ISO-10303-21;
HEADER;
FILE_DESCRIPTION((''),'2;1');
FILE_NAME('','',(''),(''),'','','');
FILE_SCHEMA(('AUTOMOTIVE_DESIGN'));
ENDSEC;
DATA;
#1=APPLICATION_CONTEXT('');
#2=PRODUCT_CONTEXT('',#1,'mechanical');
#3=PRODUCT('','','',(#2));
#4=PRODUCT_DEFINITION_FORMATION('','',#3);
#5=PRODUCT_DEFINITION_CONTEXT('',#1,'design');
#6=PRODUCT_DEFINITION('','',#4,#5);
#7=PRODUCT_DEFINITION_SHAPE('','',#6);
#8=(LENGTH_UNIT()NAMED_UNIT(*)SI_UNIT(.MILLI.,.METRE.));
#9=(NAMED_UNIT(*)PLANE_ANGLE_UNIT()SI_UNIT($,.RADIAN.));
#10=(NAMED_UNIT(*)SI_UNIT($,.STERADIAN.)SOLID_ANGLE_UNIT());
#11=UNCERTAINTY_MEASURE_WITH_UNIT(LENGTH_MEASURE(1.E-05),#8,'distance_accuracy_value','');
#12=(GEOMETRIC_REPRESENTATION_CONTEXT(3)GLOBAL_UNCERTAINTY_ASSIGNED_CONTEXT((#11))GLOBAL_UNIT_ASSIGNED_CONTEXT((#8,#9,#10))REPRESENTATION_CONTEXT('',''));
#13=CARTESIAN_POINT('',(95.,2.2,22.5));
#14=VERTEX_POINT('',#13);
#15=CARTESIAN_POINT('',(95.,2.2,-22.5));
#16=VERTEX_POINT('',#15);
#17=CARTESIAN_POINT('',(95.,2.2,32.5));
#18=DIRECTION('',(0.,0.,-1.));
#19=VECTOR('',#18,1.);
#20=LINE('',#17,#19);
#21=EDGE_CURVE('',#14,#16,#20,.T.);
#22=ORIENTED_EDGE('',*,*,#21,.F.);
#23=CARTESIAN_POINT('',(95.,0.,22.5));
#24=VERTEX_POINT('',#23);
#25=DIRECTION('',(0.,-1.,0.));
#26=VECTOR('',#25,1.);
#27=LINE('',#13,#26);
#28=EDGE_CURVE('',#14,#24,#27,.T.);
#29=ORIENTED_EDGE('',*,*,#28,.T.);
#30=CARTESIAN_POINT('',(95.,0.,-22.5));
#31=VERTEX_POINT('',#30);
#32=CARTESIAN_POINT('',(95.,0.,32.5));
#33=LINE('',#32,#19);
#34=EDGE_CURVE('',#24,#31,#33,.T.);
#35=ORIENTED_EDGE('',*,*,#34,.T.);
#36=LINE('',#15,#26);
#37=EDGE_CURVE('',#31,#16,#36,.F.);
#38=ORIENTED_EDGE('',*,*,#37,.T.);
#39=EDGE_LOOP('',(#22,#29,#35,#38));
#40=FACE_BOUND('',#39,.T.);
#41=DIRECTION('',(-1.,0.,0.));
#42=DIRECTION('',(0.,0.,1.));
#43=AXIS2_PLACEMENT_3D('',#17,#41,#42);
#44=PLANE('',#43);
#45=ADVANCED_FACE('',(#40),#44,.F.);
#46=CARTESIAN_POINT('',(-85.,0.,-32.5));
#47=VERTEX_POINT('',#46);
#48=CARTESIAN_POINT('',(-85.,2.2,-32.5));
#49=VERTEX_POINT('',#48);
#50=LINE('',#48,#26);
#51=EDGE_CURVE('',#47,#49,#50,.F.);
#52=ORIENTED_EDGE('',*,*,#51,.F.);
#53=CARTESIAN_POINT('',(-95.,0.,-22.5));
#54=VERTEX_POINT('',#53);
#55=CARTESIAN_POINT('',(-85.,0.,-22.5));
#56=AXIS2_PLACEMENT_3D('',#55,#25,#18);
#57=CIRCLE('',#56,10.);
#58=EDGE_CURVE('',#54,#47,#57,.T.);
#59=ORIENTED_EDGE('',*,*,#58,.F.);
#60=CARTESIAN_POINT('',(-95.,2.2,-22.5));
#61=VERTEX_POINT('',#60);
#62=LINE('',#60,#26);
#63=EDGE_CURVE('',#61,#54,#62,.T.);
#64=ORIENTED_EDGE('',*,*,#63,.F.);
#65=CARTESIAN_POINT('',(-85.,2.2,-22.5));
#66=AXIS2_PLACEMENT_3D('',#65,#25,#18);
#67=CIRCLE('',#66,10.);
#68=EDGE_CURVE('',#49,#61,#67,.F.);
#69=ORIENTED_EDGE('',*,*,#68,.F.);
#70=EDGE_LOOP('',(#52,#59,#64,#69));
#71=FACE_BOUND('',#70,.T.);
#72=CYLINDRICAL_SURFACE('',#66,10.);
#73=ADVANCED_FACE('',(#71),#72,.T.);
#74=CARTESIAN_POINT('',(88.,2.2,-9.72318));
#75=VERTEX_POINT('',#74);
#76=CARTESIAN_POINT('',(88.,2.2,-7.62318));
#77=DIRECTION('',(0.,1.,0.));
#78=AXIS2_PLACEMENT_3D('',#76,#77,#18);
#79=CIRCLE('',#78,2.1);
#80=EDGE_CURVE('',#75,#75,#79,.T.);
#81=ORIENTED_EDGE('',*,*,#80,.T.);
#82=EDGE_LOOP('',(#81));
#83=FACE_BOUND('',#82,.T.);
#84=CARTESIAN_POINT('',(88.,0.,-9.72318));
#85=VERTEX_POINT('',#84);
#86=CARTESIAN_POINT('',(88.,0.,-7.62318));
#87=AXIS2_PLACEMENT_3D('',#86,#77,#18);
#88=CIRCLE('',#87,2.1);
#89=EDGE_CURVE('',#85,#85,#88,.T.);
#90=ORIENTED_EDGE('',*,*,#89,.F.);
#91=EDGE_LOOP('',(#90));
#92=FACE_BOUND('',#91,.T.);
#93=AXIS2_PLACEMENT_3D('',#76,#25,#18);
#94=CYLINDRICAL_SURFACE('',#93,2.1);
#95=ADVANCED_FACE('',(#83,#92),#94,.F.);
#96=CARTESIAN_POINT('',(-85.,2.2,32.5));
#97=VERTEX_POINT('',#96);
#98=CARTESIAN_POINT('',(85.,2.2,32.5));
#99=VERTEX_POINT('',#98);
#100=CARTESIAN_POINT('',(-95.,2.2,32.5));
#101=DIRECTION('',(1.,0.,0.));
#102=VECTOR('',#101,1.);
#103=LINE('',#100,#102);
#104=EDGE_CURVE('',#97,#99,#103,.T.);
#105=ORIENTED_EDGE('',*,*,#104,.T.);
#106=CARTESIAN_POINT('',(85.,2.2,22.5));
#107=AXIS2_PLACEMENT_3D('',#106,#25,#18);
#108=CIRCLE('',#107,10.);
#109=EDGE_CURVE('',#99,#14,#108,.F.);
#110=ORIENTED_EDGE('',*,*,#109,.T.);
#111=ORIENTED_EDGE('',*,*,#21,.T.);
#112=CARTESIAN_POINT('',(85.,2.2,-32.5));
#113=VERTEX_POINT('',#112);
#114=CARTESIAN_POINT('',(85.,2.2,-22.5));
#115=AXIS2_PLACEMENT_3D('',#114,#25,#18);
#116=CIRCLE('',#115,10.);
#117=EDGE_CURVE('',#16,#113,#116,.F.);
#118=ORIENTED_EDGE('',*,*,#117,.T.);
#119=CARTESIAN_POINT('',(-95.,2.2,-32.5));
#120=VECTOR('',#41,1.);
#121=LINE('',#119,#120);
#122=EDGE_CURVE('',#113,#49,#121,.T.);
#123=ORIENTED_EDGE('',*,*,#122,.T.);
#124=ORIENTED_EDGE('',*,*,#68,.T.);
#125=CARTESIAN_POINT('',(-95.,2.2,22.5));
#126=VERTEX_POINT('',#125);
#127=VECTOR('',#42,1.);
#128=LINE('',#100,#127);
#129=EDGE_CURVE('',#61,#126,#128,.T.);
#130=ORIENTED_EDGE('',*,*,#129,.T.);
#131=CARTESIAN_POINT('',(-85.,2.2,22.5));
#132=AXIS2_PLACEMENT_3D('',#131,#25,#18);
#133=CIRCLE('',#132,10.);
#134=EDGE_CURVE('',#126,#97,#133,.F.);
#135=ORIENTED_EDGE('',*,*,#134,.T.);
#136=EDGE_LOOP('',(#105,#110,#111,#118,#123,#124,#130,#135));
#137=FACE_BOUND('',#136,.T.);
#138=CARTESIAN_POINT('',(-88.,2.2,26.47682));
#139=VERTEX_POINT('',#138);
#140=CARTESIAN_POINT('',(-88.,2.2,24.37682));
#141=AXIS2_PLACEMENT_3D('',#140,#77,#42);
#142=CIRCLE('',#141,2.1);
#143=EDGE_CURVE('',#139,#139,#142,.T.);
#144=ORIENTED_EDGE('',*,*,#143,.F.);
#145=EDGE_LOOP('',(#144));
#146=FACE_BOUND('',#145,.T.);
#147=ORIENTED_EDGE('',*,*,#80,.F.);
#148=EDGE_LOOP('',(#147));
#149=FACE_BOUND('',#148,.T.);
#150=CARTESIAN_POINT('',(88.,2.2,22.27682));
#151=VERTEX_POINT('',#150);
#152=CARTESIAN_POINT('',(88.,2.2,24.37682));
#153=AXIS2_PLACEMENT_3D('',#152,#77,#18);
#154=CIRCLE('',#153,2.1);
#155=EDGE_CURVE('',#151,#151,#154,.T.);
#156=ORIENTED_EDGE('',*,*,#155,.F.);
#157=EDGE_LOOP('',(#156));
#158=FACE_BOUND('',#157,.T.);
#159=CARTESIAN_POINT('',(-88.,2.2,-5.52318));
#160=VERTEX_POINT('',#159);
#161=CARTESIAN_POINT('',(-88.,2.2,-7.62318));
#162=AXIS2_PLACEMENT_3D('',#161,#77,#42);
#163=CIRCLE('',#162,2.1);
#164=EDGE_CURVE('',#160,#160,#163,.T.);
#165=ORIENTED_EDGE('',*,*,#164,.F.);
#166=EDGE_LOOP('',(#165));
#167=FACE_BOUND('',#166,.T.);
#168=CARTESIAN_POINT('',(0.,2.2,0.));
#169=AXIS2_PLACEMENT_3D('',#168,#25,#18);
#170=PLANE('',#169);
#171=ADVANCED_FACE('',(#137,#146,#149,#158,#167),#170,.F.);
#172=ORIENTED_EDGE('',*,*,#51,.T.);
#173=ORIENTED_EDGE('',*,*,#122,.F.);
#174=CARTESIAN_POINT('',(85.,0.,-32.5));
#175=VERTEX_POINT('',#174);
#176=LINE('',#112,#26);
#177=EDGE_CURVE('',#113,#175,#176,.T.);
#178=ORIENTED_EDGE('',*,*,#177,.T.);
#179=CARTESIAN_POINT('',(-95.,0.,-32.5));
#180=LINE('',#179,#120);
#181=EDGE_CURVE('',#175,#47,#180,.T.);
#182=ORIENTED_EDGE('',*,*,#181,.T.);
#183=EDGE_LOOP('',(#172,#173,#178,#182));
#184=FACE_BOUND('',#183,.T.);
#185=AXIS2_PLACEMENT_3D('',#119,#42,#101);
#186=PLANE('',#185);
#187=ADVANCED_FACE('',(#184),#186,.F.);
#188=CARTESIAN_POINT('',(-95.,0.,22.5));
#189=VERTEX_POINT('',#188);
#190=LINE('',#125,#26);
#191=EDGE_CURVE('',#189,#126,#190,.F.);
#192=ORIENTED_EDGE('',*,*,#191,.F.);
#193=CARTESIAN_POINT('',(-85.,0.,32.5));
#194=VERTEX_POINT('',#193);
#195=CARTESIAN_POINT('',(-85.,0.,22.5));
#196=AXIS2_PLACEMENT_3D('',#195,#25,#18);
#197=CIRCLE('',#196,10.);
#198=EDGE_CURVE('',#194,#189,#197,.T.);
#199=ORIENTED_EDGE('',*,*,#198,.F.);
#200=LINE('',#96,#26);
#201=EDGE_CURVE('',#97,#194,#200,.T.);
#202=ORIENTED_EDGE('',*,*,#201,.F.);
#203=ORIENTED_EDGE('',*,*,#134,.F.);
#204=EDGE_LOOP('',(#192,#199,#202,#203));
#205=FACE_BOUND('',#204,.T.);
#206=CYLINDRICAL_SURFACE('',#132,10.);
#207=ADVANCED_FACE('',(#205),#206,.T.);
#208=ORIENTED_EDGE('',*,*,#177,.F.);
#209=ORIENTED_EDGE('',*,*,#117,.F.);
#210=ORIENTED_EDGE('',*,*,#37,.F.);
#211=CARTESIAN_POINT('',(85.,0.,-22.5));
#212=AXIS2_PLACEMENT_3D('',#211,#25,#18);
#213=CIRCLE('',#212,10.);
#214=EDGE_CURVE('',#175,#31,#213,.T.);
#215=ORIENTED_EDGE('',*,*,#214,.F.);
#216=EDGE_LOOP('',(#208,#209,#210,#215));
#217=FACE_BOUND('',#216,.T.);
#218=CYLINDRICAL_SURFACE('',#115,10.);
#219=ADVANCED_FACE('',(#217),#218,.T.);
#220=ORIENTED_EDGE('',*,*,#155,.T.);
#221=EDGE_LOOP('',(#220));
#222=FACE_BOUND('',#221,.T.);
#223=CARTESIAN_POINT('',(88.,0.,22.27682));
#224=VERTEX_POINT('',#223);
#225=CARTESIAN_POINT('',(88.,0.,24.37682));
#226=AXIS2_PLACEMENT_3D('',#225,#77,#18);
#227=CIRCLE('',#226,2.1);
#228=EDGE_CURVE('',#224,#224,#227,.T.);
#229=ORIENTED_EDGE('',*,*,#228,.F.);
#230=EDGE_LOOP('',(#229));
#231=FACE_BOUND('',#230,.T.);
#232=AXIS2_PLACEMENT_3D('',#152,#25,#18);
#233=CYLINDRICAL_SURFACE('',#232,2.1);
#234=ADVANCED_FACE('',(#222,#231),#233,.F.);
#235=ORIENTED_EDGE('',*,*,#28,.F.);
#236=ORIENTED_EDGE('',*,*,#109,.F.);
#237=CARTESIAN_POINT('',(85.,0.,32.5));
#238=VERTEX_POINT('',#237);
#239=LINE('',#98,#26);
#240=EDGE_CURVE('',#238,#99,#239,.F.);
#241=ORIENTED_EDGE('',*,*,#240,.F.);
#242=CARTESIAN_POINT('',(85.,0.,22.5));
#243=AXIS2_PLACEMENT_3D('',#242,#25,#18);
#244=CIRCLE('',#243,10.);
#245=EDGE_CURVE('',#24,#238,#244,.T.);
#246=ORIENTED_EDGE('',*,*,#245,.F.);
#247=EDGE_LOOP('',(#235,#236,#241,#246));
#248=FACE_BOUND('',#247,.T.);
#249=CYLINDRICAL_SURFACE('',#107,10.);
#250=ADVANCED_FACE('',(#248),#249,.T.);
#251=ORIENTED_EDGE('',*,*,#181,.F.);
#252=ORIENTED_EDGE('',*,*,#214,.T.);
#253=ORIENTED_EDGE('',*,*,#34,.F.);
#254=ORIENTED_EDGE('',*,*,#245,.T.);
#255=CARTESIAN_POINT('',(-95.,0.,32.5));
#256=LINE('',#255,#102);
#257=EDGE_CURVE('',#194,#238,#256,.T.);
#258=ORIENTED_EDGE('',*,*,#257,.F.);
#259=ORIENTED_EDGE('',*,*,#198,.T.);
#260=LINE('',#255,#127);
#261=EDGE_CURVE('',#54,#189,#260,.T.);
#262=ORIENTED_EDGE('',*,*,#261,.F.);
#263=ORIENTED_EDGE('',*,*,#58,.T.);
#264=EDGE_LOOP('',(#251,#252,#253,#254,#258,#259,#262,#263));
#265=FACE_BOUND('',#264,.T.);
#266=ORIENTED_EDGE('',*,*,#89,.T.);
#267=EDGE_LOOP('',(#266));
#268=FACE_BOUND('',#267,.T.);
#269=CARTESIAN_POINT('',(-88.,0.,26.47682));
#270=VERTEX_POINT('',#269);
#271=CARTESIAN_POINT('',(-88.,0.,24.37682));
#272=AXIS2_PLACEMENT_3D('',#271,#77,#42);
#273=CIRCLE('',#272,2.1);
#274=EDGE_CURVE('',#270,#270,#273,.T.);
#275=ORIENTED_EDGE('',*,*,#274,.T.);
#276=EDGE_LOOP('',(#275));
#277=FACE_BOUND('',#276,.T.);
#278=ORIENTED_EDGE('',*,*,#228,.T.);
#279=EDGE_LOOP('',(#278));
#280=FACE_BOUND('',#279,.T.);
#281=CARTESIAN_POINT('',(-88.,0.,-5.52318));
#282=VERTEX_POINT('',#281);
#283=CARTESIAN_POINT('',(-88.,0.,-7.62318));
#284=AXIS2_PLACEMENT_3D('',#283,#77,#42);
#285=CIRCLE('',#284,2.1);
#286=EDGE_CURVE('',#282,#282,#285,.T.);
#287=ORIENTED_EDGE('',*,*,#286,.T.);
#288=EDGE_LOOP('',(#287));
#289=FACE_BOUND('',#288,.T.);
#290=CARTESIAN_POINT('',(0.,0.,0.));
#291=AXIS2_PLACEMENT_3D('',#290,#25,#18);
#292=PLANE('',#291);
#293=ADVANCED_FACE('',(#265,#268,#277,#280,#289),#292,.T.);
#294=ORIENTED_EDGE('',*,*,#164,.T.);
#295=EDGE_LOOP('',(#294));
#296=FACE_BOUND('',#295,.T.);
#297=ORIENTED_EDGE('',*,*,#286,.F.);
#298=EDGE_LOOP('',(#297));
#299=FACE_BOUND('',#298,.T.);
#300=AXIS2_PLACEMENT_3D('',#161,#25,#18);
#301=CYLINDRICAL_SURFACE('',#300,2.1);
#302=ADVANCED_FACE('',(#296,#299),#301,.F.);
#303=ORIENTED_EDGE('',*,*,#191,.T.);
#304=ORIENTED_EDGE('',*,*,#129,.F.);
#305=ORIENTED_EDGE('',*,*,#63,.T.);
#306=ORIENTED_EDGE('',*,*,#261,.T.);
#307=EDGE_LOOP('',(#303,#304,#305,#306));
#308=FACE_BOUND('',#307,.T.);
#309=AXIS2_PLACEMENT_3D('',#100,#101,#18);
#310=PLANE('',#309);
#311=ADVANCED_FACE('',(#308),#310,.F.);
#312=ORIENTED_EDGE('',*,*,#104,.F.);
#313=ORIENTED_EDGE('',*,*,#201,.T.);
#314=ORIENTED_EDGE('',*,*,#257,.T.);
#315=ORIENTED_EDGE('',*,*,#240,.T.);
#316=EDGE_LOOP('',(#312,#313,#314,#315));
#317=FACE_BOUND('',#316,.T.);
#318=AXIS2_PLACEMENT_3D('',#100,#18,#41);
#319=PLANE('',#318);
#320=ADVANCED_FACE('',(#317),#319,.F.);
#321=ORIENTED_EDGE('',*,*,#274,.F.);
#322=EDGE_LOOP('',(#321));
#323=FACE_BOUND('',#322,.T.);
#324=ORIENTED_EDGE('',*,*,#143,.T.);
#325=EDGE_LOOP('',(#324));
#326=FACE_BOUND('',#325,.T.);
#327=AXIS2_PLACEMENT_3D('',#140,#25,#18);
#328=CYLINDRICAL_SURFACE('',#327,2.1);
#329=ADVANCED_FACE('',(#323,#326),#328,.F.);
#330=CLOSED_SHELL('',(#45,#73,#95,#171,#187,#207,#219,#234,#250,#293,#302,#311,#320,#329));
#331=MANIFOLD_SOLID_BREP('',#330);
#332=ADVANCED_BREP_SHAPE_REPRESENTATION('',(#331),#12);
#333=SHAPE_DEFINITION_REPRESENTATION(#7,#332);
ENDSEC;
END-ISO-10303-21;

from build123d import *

# Parameters (mm, degrees)
SKETCH1_W           = 190
SKETCH1_H           = 65
SKETCH1_R           = 2.1
BOSS_EXTRUDE1_DEPTH = 2.2
FILLET1_R           = 10


with BuildPart() as part:
    # Sketch1 → Boss-Extrude1 (new body)
    with BuildSketch(Plane(origin=(0, 0, 0), x_dir=(1, 0, 0), z_dir=(0, 1, 0))):
        Rectangle(SKETCH1_W, SKETCH1_H)
        with Locations(Location((-88, 7.623179707, 0), (0, 0, 270))):
            Circle(SKETCH1_R, mode=Mode.SUBTRACT)
        with Locations(Location((-88, -24.376820293, 0), (0, 0, 270))):
            Circle(SKETCH1_R, mode=Mode.SUBTRACT)
        with Locations(Location((88, -24.376820293, 0), (0, 0, 90))):
            Circle(SKETCH1_R, mode=Mode.SUBTRACT)
        with Locations(Location((88, 7.623179707, 0), (0, 0, 90))):
            Circle(SKETCH1_R, mode=Mode.SUBTRACT)
    extrude(amount=BOSS_EXTRUDE1_DEPTH)

    # Fillet1
    fillet1_edges = [part.edges().sort_by_distance(p)[0] for p in [
        (95, 1.1, 32.5),
        (-95, 1.1, 32.5),
        (-95, 1.1, -32.5),
        (95, 1.1, -32.5),
    ]]
    fillet(fillet1_edges, radius=FILLET1_R)


solid = part.part
